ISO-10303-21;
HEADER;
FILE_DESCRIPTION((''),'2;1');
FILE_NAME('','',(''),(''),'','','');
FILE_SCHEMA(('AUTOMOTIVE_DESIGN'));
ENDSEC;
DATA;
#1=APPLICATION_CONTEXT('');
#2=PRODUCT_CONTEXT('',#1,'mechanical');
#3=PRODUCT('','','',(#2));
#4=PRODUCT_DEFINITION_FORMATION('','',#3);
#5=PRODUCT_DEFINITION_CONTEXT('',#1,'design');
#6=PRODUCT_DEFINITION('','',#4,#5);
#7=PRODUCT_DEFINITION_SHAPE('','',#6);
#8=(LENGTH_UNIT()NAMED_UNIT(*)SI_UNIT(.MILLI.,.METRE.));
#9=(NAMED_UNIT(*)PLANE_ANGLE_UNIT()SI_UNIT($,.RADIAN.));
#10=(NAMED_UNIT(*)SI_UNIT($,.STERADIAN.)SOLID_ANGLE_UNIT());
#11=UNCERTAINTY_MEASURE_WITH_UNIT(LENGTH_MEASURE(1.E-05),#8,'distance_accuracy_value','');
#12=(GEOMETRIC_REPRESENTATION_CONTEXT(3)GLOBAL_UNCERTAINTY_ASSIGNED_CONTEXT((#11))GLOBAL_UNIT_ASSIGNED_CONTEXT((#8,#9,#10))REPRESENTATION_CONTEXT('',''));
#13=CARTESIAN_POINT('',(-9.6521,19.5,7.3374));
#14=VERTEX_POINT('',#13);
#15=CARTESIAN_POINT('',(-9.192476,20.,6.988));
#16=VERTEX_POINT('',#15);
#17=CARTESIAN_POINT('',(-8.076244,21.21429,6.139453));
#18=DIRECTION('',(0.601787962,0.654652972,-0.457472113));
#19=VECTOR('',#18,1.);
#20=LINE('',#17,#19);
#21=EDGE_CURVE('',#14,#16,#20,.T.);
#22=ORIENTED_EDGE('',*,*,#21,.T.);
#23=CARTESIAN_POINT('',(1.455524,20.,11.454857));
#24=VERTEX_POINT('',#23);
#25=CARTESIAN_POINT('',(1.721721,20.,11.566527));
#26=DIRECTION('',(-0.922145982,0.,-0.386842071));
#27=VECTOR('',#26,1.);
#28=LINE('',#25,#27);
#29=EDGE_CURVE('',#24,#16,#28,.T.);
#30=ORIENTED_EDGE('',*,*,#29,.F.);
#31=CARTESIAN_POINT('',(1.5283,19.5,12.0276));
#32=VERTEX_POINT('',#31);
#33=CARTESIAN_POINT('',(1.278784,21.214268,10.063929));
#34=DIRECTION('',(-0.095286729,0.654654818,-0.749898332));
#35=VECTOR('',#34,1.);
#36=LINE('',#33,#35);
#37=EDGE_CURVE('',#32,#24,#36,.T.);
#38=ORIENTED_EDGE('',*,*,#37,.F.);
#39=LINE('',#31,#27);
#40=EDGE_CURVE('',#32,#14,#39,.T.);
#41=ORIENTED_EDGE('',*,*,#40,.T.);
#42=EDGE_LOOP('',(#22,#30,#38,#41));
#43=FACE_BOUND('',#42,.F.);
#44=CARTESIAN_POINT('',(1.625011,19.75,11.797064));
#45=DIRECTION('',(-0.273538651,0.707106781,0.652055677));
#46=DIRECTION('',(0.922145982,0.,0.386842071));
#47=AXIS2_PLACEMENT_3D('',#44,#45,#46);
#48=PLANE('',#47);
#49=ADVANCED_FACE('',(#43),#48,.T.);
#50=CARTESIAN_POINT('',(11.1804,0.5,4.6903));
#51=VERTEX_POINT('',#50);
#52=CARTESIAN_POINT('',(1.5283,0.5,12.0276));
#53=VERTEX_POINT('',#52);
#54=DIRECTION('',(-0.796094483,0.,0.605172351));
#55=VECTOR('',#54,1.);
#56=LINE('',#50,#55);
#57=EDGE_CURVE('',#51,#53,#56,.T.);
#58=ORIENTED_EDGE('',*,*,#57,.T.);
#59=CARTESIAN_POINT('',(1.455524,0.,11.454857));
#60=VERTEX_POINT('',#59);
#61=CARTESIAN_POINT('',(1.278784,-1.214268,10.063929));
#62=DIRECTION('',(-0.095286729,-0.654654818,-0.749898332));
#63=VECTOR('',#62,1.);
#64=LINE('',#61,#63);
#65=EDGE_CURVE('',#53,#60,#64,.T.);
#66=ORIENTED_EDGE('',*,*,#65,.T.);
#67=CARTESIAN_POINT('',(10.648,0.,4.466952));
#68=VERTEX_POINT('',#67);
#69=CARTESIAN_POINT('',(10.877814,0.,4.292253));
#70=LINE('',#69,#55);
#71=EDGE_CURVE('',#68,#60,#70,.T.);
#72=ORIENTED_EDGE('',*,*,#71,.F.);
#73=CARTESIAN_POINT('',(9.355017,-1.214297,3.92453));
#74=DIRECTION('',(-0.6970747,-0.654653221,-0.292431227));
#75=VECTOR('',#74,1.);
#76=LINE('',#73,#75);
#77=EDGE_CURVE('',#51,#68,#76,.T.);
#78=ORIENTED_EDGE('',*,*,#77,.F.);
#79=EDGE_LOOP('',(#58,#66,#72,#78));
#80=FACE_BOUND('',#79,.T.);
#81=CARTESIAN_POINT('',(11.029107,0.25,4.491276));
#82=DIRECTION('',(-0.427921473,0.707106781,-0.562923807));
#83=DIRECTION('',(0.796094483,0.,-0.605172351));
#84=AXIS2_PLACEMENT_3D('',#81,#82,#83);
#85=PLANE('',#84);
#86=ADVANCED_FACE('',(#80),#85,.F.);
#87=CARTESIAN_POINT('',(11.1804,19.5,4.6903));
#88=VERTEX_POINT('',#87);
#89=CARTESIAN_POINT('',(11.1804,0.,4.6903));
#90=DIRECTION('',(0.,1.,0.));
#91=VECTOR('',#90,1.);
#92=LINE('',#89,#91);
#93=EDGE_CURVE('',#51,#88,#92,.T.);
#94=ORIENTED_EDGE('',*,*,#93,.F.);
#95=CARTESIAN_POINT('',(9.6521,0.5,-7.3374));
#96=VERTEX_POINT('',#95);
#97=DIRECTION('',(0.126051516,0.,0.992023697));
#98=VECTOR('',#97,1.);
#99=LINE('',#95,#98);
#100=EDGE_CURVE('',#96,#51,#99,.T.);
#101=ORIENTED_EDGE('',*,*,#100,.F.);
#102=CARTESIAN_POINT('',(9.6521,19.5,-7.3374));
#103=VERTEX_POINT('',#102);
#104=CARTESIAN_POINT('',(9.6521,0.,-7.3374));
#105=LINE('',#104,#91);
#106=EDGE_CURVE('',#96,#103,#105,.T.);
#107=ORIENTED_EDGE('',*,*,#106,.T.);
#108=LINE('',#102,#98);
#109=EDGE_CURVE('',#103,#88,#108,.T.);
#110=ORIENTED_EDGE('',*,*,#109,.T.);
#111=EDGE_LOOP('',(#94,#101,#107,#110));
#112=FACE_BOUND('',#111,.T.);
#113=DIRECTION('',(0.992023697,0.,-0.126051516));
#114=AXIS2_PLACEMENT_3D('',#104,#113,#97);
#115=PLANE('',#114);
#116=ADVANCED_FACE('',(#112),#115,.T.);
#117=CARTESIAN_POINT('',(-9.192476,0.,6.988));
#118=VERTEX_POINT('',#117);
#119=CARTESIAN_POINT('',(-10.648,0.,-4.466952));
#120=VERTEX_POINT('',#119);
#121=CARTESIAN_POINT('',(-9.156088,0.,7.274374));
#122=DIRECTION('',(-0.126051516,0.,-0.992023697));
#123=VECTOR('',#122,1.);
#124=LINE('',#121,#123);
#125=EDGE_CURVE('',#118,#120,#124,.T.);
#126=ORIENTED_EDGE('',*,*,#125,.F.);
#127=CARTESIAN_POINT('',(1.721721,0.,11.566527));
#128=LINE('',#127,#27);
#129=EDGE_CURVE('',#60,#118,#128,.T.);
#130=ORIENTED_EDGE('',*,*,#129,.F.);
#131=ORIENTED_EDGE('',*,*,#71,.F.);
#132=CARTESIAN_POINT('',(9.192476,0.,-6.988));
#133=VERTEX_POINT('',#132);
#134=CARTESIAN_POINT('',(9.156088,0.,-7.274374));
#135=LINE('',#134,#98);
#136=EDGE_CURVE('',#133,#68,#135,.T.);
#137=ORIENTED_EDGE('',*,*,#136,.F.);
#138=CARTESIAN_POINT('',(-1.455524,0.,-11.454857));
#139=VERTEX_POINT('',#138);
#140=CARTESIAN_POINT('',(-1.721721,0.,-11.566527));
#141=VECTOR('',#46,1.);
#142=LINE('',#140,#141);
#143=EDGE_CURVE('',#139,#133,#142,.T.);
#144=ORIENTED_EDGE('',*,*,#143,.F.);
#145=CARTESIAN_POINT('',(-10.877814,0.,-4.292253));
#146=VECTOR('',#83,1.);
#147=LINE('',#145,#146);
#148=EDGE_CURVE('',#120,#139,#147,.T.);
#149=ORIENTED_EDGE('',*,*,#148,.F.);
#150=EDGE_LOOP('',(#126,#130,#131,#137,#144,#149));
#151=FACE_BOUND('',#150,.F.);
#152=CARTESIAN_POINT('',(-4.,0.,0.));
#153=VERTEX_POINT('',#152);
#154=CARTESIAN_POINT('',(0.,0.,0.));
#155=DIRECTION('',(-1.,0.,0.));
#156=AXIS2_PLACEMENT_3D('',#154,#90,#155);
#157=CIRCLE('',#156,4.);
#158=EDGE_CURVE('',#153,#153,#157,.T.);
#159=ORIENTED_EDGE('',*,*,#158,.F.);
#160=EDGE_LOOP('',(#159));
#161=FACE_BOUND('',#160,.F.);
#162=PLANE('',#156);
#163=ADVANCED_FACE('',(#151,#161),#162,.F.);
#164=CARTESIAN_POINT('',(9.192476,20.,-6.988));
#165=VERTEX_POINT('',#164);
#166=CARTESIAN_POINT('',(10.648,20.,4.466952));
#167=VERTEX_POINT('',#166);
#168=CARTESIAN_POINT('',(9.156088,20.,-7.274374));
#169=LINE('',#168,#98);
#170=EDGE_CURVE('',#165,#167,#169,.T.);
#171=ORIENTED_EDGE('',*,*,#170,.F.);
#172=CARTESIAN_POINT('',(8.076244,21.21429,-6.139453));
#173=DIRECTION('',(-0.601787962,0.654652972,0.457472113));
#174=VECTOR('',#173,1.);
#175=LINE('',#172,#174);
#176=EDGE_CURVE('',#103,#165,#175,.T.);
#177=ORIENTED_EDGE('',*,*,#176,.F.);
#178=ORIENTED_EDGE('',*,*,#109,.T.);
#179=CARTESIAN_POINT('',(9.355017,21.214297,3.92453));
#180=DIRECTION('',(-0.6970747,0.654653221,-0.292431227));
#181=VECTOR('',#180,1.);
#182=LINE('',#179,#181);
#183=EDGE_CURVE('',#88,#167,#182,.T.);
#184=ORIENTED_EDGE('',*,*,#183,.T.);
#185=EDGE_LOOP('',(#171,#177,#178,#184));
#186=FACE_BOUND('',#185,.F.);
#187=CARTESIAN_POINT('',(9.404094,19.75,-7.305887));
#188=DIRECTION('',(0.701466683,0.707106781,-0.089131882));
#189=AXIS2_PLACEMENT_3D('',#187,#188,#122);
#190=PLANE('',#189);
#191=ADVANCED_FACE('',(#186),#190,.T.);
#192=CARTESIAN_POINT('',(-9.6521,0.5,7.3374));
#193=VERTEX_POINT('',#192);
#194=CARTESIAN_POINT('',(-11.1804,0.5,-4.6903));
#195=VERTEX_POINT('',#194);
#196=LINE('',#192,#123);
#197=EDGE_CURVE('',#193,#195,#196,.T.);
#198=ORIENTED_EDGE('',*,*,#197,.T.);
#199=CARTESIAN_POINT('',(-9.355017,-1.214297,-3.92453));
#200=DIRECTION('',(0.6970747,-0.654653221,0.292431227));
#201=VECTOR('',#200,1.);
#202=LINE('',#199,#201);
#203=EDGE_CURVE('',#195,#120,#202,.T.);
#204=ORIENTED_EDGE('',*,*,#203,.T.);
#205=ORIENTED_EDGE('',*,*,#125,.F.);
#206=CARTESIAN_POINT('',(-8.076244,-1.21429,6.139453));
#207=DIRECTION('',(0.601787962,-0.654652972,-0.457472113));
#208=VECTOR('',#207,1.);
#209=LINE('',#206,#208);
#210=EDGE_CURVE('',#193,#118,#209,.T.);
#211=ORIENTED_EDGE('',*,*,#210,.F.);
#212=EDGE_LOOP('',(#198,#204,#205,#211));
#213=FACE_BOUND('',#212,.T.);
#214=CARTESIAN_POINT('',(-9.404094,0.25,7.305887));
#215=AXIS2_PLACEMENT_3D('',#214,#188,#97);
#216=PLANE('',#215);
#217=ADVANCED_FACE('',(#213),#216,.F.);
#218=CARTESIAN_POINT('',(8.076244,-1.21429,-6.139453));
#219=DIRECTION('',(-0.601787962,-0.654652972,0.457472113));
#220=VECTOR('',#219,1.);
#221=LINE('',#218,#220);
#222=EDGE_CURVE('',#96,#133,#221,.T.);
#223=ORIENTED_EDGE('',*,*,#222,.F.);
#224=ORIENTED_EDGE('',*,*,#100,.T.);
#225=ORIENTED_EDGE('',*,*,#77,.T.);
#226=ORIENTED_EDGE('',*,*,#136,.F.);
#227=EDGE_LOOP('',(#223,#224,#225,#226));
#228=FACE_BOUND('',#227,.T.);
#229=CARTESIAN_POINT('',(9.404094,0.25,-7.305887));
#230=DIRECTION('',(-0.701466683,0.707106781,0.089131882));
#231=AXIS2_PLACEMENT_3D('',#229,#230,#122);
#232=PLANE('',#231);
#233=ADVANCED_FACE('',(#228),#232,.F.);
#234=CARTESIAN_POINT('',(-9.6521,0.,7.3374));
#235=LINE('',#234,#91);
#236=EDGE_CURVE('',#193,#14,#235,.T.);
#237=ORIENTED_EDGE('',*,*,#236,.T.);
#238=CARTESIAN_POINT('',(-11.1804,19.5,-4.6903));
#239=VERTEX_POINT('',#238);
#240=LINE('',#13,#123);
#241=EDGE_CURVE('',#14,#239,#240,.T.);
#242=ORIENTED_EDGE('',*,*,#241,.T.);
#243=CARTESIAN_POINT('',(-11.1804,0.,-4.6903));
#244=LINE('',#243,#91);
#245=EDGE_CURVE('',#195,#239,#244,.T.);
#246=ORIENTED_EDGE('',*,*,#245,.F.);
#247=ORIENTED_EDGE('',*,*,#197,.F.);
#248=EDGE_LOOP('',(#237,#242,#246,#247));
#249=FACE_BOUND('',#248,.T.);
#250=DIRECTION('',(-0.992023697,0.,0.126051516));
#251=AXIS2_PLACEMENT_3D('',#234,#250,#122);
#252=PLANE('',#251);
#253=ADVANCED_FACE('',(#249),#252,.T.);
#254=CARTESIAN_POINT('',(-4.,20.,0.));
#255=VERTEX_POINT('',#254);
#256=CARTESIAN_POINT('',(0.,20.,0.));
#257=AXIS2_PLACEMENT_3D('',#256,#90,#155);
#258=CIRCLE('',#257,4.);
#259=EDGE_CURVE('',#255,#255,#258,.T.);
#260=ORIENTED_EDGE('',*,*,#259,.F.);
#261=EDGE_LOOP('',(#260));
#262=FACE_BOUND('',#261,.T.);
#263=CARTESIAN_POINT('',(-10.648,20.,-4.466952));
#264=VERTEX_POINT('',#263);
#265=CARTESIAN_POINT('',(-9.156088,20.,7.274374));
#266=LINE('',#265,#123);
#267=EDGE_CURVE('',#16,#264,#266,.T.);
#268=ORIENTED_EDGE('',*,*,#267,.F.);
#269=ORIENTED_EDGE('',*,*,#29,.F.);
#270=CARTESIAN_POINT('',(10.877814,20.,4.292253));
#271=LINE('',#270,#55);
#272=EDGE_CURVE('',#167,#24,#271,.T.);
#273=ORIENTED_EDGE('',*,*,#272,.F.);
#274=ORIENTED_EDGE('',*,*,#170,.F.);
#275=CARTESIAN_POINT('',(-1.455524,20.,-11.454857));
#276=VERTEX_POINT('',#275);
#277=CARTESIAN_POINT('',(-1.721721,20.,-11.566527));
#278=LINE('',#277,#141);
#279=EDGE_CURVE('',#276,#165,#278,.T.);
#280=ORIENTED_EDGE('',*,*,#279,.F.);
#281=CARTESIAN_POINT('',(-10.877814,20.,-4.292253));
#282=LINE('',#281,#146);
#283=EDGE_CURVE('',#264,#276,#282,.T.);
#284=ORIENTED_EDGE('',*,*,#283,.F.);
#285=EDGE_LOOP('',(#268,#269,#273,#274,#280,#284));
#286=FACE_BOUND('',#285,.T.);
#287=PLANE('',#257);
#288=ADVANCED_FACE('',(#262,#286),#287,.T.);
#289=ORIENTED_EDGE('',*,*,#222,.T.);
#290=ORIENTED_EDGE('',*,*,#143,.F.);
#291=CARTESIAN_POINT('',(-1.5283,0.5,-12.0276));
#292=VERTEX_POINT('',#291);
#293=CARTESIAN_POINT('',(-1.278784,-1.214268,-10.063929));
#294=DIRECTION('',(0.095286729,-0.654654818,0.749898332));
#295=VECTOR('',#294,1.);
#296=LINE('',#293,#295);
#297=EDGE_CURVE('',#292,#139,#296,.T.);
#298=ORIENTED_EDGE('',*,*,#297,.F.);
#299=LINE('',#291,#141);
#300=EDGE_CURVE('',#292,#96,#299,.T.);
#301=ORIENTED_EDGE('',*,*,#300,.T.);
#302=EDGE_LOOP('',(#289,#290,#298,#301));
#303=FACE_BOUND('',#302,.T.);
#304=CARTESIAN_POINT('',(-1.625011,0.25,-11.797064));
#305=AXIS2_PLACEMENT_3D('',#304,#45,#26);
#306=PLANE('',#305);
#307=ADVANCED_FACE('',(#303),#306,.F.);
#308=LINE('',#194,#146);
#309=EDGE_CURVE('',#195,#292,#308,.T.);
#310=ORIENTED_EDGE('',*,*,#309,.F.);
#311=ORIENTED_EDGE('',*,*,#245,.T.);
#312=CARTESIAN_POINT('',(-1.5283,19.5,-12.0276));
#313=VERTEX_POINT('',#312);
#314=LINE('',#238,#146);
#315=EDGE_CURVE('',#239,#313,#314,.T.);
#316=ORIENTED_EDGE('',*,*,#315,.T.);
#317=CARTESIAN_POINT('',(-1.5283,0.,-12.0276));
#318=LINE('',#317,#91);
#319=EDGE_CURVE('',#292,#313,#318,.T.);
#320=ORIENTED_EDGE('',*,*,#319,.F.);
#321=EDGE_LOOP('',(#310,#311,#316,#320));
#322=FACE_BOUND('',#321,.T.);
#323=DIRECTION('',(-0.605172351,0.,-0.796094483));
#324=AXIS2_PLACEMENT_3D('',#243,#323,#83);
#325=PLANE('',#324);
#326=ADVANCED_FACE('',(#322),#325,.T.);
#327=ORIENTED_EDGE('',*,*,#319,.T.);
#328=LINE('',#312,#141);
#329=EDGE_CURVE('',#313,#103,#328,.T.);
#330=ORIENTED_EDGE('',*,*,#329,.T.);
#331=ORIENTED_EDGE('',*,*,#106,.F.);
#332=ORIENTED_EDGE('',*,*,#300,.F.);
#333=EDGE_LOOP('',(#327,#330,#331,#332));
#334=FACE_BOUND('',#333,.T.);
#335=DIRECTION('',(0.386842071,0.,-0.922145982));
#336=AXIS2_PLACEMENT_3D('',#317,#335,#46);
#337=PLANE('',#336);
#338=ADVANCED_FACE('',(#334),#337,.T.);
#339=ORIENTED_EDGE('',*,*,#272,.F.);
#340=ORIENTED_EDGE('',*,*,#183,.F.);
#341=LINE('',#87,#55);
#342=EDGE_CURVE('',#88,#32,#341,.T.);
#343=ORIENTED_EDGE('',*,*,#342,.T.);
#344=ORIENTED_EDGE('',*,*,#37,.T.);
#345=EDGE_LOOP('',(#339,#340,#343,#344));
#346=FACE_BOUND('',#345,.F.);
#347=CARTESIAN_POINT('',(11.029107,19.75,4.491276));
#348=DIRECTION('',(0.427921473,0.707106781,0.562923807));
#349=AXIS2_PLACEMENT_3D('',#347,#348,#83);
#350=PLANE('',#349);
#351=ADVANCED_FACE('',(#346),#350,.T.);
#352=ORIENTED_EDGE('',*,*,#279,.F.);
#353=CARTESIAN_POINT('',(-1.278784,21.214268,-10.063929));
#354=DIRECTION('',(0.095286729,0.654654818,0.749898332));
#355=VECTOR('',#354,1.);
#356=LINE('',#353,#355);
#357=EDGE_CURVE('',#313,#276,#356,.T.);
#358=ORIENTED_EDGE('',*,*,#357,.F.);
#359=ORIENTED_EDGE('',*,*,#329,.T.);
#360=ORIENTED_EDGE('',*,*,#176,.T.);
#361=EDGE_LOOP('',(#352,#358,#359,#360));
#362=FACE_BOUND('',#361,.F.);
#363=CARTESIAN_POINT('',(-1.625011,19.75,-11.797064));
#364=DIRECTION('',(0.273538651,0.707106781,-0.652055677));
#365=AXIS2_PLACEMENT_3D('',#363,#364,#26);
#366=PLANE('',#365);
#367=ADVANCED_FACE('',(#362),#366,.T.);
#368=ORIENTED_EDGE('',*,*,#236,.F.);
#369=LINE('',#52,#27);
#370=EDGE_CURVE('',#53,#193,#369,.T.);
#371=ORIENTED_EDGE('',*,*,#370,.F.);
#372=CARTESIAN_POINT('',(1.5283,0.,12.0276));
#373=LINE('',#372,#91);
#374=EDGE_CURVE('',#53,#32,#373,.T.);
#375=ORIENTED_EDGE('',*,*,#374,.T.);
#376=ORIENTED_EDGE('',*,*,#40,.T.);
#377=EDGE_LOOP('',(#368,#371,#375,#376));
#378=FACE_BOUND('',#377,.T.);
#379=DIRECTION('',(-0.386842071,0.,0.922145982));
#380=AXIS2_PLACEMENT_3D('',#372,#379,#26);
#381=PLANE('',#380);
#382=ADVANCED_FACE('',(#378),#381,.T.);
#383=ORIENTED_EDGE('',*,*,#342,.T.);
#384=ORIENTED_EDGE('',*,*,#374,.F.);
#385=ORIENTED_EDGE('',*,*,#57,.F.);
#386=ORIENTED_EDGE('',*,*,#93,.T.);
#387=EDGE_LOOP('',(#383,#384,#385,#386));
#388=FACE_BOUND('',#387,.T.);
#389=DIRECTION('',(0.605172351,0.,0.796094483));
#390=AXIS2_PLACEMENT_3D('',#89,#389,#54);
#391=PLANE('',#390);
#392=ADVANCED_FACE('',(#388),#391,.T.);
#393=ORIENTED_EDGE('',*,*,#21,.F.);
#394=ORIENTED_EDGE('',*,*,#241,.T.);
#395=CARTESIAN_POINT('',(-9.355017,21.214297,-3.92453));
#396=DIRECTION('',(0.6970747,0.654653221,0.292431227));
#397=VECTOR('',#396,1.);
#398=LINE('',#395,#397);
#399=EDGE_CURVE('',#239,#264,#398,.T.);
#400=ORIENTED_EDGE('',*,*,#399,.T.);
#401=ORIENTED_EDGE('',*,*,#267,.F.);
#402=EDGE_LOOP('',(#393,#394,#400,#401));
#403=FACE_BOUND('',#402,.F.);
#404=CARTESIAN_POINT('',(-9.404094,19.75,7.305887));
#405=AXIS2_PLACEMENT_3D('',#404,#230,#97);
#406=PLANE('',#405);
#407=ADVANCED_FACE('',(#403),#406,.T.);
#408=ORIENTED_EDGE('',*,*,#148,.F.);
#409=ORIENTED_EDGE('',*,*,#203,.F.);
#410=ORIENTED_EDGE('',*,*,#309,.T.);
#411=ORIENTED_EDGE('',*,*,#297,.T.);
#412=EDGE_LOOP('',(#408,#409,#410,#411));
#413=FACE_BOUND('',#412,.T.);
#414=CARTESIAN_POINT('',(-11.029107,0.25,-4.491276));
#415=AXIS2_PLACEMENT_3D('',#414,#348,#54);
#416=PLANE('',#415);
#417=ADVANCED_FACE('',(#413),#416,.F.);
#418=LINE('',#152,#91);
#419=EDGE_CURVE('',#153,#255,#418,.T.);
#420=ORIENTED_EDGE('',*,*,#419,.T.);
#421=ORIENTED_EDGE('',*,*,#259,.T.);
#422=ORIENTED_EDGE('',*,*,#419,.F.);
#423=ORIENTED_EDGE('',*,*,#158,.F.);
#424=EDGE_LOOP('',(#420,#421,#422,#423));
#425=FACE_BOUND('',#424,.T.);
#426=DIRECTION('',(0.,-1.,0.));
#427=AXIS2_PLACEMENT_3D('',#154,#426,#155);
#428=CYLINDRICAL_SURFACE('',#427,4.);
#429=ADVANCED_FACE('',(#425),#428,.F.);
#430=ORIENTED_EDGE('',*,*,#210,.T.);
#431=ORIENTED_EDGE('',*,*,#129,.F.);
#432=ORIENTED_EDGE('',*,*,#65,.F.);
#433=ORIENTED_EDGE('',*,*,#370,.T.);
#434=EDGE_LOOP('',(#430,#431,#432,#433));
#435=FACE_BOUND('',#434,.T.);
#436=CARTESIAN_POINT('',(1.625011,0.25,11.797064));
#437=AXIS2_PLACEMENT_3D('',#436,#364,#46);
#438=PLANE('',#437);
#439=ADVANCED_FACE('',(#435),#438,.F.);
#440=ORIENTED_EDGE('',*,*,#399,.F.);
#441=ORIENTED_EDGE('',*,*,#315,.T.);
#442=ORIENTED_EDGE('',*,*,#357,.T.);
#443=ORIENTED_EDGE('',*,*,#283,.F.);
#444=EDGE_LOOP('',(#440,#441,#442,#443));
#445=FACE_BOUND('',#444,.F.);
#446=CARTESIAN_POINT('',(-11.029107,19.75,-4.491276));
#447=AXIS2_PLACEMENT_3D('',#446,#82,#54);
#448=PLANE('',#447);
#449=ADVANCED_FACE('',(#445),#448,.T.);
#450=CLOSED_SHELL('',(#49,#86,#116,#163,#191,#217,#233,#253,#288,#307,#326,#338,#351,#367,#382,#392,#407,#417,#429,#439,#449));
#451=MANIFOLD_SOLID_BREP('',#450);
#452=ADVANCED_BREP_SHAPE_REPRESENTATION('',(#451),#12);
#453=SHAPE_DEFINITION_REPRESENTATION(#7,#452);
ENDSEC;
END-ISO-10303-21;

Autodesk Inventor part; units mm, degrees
ref_plane "YZ Plane" through (0, 0, 0) normal (1, 0, 0) x (0, 1, 0)
ref_plane "XZ Plane" through (0, 0, 0) normal (0, 1, 0) x (-1, 0, 0)
ref_plane "XY Plane" through (0, 0, 0) normal (0, 0, 1) x (1, 0, 0)
sketch "Sketch1" plane through (0, 0, 0) normal (0, 1, 0) x (-1, 0, 0)
  circle A0 centre (0, 0) radius 4
  line L0 (11.1804, -4.6903) -> (1.5283, -12.0276)
  line L1 (1.5283, -12.0276) -> (-9.6521, -7.3374)
  line L2 (-9.6521, -7.3374) -> (-11.1804, 4.6903)
  line L3 (-11.1804, 4.6903) -> (-1.5283, 12.0276)
  line L4 (-1.5283, 12.0276) -> (9.6521, 7.3374)
  line L5 (9.6521, 7.3374) -> (11.1804, -4.6903)
  dimension "d0" = 8
  dimension "d19" = 10.5
extrude "Extrusion1" add sketch "Sketch1" along normal blind 20
thread "Thread1" size "M5x0.8" class "6H" standard "ANSI Metric M Profile" full length
chamfer "Chamfer1" distance 0.5 angle 45 12 edges at (-4.0619, 0, 9.6825) (6.3543, 0, 8.359) (10.4162, 0, -1.3235) (4.0619, 0, -9.6825) (-6.3543, 0, -8.359) (-10.4162, 0, 1.3235) (-4.0619, 20, 9.6825) (-10.4162, 20, 1.3235) (6.3543, 20, 8.359) (-6.3543, 20, -8.359) (4.0619, 20, -9.6825) (10.4162, 20, -1.3235)
properties part number "5M nut 20mm" material "Iron, Gray"
